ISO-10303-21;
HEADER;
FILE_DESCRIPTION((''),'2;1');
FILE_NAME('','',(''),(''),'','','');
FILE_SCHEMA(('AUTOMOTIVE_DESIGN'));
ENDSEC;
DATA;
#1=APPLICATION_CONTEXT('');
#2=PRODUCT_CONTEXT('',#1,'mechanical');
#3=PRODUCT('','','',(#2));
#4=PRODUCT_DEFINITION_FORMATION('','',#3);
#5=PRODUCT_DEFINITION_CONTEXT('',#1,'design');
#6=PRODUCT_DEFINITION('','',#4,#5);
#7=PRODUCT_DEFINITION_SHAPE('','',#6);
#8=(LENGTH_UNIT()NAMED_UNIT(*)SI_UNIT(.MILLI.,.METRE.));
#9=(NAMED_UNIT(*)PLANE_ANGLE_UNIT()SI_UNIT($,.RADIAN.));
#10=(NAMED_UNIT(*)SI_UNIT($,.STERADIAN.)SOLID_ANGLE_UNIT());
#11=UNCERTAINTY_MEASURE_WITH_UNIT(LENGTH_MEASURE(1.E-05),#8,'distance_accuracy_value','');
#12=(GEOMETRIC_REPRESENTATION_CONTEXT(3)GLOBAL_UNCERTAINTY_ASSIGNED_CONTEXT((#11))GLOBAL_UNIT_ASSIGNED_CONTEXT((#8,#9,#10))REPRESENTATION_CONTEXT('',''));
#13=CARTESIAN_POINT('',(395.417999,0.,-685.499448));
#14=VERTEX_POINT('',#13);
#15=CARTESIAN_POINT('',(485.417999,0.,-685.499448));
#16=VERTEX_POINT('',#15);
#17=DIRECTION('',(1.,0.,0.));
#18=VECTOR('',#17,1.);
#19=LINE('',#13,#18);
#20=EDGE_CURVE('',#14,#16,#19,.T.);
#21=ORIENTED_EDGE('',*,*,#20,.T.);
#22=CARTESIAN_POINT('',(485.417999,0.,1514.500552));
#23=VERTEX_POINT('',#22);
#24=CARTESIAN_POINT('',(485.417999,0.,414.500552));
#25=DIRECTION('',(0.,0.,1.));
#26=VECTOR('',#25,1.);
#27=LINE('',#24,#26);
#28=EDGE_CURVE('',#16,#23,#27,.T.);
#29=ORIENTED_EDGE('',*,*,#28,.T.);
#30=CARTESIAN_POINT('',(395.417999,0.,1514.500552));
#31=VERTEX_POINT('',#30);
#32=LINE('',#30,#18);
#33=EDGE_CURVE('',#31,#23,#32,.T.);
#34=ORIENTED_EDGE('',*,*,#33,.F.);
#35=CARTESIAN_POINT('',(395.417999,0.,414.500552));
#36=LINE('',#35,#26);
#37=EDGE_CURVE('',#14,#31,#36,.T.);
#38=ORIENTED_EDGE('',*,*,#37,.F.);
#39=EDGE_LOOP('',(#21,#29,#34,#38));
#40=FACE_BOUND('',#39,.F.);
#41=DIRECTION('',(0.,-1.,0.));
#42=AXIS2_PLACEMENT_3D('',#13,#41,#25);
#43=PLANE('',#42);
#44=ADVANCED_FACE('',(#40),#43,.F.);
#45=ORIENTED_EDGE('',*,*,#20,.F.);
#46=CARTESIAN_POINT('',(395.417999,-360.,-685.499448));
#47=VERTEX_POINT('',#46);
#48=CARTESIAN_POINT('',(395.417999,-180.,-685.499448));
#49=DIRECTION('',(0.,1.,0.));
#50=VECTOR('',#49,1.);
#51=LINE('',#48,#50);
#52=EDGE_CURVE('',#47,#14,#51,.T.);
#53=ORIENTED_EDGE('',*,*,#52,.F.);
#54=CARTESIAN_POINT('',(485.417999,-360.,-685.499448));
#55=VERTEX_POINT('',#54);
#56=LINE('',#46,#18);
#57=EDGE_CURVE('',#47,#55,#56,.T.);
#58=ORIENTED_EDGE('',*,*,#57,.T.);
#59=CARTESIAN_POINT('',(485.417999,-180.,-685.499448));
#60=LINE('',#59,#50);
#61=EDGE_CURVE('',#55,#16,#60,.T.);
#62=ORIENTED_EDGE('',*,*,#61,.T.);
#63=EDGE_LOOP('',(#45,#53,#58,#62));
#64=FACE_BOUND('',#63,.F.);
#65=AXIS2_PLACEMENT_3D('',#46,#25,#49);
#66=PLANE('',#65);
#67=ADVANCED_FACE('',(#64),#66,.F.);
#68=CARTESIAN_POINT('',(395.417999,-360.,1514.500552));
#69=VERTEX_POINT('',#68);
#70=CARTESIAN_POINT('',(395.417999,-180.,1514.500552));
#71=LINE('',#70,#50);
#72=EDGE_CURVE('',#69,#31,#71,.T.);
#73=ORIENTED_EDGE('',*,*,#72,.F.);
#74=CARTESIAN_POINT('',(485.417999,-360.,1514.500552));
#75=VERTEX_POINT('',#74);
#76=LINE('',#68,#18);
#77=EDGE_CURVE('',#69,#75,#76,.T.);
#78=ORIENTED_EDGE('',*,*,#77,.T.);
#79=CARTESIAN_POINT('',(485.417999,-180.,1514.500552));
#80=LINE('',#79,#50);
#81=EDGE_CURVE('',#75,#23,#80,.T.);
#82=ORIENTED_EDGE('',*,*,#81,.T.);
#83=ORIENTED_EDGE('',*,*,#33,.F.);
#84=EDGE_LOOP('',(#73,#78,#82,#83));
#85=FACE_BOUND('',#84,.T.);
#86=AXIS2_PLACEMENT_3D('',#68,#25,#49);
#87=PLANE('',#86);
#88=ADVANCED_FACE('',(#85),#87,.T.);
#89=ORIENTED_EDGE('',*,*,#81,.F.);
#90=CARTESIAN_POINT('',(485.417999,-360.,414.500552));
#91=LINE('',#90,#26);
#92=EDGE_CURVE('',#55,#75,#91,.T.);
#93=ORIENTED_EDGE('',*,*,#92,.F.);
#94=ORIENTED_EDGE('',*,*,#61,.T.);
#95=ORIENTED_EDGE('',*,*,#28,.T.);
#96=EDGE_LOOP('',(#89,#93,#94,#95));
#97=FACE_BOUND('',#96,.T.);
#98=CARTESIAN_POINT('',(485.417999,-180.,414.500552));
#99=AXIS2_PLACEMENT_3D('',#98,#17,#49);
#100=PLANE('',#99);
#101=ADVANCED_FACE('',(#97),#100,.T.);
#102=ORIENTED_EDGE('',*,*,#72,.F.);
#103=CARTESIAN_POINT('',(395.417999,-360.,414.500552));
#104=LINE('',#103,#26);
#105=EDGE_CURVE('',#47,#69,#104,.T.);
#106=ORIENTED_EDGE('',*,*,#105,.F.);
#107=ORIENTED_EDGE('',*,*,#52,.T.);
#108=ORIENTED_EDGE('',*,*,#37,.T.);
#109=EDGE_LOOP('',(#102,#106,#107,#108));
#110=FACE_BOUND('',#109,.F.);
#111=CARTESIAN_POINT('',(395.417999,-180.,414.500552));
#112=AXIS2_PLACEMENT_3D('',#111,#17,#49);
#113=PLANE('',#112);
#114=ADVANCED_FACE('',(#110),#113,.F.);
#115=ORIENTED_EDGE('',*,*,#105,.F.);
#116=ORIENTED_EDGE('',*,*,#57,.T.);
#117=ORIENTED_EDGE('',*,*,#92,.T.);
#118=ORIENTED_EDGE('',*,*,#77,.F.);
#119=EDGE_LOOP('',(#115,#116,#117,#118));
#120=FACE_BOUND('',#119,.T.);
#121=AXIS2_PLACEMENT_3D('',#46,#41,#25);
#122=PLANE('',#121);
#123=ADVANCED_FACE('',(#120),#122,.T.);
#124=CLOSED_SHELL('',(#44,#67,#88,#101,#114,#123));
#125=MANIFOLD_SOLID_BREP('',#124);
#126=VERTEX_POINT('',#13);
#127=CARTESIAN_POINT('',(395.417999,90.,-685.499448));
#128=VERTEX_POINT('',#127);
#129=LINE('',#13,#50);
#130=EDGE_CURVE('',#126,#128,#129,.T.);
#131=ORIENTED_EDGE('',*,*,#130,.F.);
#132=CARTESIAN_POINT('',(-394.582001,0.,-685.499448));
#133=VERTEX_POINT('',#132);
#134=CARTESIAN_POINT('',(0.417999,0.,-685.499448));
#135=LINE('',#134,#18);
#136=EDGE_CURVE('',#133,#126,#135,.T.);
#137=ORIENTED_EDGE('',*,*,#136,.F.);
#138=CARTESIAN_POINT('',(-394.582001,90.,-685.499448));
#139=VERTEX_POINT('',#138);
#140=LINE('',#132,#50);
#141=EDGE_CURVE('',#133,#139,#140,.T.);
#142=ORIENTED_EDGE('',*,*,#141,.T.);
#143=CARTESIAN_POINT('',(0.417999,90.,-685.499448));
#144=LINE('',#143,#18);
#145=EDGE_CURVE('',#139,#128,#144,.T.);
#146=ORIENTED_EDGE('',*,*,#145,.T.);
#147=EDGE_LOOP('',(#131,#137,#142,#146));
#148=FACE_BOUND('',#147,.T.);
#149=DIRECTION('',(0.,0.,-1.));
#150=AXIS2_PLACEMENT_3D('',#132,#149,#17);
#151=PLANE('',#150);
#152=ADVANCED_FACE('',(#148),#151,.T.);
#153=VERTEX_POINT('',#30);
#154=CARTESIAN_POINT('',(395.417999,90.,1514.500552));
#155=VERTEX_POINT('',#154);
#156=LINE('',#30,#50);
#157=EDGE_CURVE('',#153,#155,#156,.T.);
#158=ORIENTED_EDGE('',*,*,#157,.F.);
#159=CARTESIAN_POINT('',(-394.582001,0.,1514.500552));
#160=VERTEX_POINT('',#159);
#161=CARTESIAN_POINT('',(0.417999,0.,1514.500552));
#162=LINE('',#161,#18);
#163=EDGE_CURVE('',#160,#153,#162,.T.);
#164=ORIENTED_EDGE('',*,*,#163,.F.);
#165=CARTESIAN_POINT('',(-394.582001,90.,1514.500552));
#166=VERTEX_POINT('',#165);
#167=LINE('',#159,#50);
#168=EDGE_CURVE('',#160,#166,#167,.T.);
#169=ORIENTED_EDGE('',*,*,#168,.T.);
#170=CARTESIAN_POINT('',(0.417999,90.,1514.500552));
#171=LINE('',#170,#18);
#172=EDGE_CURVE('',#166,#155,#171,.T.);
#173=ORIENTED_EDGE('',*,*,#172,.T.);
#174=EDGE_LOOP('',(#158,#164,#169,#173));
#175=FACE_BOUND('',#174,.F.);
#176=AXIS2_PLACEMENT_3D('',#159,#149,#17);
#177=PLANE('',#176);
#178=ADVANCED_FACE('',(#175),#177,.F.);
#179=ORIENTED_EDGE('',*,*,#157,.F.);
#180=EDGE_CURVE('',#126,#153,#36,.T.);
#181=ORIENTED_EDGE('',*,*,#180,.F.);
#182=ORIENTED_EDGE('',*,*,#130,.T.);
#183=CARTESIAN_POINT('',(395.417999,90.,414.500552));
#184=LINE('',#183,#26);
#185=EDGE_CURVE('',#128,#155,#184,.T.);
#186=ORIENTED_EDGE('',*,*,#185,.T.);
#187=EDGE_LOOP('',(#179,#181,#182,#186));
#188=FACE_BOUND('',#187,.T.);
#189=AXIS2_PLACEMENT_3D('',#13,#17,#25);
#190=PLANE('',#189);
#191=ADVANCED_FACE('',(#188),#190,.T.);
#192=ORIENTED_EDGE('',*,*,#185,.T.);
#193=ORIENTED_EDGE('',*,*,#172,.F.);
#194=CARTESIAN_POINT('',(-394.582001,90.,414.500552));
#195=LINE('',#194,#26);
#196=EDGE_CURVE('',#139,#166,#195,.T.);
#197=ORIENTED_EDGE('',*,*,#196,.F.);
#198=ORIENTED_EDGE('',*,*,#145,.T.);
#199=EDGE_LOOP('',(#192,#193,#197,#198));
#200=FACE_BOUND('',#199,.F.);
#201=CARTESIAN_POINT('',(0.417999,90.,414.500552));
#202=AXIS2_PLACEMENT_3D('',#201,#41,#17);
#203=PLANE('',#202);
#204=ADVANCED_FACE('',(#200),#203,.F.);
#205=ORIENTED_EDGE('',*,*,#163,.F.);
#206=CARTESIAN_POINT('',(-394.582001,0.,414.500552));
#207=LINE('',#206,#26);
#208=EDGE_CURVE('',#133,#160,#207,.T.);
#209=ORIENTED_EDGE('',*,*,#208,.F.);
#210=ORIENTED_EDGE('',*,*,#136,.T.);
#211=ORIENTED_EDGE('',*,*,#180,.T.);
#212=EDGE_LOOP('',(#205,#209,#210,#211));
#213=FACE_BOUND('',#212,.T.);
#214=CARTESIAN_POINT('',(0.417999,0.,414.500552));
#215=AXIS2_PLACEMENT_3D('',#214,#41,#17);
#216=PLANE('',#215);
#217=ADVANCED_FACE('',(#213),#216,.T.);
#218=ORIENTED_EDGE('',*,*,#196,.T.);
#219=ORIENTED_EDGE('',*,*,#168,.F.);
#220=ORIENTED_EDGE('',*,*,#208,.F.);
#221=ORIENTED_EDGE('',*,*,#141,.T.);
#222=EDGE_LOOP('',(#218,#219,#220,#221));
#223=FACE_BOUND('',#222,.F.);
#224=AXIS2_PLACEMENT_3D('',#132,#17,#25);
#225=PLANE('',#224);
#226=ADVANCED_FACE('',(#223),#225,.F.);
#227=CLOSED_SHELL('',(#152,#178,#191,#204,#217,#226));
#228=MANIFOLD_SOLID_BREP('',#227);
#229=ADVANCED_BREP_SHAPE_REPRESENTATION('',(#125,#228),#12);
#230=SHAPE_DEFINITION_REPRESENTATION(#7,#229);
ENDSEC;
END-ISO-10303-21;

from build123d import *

# Parameters (mm, degrees)
F0_W     = 790
F0_H     = 2200
F1_DEPTH = 90
F3_W     = 360
F3_H     = 2200
F4_DEPTH = 90


with BuildPart() as f1:
    # F0 (on Front) → F1 (new body)
    with BuildSketch(Plane.XZ):
        with Locations((0.417999, 414.500552)):
            Rectangle(F0_W, F0_H)
    extrude(amount=-F1_DEPTH)


with BuildPart() as f4:
    # F3 (on face) → F4 (new body)
    with BuildSketch(Plane.YZ.offset(395.417999)):
        with Locations((-180, 414.500552)):
            Rectangle(F3_W, F3_H)
    extrude(amount=F4_DEPTH)


solid = Compound([f1.part, f4.part])
